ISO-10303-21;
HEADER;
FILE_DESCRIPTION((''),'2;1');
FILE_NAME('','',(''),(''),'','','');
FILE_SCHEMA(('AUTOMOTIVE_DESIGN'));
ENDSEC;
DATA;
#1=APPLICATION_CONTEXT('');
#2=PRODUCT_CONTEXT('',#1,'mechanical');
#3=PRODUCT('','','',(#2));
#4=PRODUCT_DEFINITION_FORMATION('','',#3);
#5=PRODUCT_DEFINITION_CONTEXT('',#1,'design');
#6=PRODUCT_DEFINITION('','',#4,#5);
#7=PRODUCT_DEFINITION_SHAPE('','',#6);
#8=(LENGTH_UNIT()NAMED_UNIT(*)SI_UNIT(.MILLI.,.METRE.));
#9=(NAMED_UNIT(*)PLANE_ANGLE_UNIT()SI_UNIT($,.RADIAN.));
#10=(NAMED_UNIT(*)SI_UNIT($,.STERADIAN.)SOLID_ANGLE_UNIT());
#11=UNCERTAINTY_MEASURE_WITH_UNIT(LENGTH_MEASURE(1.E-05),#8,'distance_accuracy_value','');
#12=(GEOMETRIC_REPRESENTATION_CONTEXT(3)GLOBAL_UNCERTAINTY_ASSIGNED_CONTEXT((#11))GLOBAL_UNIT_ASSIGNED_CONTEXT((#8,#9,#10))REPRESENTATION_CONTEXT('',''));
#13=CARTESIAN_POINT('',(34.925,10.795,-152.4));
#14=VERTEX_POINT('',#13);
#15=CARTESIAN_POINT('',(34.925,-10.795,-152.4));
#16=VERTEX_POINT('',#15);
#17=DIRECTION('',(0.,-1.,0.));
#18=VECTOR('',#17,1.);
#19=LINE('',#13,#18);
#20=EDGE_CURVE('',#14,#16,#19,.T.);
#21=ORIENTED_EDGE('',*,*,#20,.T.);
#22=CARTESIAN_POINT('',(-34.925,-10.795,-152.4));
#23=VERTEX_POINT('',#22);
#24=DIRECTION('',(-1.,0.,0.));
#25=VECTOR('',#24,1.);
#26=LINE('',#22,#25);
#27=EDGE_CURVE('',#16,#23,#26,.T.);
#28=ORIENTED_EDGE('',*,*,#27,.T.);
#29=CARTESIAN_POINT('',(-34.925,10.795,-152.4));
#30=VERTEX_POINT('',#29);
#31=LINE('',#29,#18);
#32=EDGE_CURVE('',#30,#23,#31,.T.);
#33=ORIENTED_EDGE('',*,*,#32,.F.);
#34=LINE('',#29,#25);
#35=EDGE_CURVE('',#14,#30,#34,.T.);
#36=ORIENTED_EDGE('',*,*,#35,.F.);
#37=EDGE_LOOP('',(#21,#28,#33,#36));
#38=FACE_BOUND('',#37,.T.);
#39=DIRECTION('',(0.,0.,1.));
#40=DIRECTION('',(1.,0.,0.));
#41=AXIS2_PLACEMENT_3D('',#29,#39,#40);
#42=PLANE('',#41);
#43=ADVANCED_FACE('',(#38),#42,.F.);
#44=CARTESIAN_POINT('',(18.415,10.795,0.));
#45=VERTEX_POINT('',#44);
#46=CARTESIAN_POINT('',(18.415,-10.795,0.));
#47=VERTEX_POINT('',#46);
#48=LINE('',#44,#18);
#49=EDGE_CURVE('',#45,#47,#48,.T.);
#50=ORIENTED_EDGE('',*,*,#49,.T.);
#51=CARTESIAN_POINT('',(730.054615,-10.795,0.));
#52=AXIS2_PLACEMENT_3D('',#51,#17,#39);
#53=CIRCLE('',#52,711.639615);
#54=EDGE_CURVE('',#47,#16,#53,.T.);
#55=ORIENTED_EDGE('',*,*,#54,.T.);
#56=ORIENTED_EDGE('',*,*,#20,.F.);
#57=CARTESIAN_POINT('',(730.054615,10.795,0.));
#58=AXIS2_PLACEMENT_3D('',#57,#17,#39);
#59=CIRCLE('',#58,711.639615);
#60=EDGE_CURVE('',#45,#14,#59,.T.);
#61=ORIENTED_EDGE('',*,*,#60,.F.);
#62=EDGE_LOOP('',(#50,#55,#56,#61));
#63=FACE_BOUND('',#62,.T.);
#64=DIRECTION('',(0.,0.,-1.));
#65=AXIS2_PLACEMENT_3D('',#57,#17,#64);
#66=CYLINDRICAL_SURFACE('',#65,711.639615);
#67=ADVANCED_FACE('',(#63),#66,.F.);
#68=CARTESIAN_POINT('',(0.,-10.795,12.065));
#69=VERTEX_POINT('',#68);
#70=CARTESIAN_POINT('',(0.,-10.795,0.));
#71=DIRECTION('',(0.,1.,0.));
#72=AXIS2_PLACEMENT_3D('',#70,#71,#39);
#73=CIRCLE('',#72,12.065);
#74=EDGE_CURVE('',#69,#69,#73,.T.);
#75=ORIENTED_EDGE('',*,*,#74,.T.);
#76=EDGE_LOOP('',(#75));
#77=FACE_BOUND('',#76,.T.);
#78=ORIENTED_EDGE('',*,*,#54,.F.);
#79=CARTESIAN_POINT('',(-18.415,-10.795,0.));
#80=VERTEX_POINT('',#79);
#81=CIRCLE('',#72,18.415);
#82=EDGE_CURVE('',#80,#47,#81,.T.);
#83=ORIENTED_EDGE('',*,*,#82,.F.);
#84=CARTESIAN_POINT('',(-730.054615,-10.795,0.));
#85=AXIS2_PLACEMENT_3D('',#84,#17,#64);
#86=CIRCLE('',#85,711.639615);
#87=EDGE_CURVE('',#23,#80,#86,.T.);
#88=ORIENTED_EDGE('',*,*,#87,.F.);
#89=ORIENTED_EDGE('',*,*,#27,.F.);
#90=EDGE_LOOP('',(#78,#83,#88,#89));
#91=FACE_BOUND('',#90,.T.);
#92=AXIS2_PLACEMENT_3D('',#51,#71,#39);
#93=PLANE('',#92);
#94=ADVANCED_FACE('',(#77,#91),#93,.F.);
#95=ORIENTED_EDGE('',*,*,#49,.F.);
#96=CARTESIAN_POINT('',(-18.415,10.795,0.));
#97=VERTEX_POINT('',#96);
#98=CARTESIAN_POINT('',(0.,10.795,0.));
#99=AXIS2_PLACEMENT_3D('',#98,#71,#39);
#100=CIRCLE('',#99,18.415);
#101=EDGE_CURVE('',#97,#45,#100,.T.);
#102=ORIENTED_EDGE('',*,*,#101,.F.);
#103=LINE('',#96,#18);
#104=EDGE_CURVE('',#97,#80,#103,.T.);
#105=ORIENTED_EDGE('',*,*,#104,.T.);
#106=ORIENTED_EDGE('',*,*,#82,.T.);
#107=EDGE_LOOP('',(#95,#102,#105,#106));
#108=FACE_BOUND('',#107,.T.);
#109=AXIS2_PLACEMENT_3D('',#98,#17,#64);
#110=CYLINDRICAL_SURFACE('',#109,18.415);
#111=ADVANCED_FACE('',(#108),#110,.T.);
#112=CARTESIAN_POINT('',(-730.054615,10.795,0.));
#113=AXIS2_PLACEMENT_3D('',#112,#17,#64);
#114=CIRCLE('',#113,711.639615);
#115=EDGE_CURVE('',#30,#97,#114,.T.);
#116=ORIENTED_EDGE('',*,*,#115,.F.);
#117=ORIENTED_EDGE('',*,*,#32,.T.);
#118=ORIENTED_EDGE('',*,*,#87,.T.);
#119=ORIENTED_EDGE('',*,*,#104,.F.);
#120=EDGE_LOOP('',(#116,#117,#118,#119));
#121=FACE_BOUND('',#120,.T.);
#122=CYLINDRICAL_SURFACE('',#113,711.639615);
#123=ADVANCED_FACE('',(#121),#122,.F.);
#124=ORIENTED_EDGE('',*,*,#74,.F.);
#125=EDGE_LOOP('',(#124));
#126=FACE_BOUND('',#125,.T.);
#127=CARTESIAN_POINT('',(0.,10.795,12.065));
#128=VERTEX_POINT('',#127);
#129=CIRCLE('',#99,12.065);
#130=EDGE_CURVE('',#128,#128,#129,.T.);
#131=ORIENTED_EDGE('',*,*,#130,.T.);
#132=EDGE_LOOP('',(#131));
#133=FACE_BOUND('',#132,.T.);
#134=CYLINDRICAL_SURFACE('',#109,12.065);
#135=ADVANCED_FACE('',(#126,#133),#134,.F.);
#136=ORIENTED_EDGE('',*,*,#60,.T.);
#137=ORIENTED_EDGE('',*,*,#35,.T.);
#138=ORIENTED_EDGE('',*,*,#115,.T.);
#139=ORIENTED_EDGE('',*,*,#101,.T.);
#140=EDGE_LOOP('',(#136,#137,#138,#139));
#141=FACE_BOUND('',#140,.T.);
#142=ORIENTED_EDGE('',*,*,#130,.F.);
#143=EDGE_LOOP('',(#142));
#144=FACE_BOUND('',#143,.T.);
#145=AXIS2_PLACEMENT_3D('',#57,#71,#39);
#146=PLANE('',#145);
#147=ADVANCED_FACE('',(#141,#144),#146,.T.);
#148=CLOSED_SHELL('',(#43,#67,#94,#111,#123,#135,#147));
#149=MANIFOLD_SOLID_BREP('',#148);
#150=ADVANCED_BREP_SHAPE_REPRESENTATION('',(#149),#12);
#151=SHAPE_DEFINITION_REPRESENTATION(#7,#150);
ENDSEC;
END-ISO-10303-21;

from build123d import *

# Parameters (mm, degrees)
SKETCH1_R           = 12.065
BOSS_EXTRUDE1_DEPTH = 10.795


with BuildPart() as part:
    # Sketch1 → Boss-Extrude1 (new, symmetric)
    with BuildSketch(Plane(origin=(0, 0, 0), x_dir=(1, 0, 0), z_dir=(0, 1, 0))):
        with BuildLine():
            Line((-34.925, 152.4), (34.925, 152.4))
            ThreePointArc((34.925, 152.4), (22.554539653, 76.645841538), (18.415, 0))
            ThreePointArc((18.415, 0), (0, -18.415), (-18.415, 0))
            ThreePointArc((-18.415, 0), (-22.554539653, 76.645841538), (-34.925, 152.4))
        make_face()
        with Locations(Location((0, 0, 0), (0, 0, 270))):
            Circle(SKETCH1_R, mode=Mode.SUBTRACT)
    extrude(amount=BOSS_EXTRUDE1_DEPTH, both=True)


solid = part.part
